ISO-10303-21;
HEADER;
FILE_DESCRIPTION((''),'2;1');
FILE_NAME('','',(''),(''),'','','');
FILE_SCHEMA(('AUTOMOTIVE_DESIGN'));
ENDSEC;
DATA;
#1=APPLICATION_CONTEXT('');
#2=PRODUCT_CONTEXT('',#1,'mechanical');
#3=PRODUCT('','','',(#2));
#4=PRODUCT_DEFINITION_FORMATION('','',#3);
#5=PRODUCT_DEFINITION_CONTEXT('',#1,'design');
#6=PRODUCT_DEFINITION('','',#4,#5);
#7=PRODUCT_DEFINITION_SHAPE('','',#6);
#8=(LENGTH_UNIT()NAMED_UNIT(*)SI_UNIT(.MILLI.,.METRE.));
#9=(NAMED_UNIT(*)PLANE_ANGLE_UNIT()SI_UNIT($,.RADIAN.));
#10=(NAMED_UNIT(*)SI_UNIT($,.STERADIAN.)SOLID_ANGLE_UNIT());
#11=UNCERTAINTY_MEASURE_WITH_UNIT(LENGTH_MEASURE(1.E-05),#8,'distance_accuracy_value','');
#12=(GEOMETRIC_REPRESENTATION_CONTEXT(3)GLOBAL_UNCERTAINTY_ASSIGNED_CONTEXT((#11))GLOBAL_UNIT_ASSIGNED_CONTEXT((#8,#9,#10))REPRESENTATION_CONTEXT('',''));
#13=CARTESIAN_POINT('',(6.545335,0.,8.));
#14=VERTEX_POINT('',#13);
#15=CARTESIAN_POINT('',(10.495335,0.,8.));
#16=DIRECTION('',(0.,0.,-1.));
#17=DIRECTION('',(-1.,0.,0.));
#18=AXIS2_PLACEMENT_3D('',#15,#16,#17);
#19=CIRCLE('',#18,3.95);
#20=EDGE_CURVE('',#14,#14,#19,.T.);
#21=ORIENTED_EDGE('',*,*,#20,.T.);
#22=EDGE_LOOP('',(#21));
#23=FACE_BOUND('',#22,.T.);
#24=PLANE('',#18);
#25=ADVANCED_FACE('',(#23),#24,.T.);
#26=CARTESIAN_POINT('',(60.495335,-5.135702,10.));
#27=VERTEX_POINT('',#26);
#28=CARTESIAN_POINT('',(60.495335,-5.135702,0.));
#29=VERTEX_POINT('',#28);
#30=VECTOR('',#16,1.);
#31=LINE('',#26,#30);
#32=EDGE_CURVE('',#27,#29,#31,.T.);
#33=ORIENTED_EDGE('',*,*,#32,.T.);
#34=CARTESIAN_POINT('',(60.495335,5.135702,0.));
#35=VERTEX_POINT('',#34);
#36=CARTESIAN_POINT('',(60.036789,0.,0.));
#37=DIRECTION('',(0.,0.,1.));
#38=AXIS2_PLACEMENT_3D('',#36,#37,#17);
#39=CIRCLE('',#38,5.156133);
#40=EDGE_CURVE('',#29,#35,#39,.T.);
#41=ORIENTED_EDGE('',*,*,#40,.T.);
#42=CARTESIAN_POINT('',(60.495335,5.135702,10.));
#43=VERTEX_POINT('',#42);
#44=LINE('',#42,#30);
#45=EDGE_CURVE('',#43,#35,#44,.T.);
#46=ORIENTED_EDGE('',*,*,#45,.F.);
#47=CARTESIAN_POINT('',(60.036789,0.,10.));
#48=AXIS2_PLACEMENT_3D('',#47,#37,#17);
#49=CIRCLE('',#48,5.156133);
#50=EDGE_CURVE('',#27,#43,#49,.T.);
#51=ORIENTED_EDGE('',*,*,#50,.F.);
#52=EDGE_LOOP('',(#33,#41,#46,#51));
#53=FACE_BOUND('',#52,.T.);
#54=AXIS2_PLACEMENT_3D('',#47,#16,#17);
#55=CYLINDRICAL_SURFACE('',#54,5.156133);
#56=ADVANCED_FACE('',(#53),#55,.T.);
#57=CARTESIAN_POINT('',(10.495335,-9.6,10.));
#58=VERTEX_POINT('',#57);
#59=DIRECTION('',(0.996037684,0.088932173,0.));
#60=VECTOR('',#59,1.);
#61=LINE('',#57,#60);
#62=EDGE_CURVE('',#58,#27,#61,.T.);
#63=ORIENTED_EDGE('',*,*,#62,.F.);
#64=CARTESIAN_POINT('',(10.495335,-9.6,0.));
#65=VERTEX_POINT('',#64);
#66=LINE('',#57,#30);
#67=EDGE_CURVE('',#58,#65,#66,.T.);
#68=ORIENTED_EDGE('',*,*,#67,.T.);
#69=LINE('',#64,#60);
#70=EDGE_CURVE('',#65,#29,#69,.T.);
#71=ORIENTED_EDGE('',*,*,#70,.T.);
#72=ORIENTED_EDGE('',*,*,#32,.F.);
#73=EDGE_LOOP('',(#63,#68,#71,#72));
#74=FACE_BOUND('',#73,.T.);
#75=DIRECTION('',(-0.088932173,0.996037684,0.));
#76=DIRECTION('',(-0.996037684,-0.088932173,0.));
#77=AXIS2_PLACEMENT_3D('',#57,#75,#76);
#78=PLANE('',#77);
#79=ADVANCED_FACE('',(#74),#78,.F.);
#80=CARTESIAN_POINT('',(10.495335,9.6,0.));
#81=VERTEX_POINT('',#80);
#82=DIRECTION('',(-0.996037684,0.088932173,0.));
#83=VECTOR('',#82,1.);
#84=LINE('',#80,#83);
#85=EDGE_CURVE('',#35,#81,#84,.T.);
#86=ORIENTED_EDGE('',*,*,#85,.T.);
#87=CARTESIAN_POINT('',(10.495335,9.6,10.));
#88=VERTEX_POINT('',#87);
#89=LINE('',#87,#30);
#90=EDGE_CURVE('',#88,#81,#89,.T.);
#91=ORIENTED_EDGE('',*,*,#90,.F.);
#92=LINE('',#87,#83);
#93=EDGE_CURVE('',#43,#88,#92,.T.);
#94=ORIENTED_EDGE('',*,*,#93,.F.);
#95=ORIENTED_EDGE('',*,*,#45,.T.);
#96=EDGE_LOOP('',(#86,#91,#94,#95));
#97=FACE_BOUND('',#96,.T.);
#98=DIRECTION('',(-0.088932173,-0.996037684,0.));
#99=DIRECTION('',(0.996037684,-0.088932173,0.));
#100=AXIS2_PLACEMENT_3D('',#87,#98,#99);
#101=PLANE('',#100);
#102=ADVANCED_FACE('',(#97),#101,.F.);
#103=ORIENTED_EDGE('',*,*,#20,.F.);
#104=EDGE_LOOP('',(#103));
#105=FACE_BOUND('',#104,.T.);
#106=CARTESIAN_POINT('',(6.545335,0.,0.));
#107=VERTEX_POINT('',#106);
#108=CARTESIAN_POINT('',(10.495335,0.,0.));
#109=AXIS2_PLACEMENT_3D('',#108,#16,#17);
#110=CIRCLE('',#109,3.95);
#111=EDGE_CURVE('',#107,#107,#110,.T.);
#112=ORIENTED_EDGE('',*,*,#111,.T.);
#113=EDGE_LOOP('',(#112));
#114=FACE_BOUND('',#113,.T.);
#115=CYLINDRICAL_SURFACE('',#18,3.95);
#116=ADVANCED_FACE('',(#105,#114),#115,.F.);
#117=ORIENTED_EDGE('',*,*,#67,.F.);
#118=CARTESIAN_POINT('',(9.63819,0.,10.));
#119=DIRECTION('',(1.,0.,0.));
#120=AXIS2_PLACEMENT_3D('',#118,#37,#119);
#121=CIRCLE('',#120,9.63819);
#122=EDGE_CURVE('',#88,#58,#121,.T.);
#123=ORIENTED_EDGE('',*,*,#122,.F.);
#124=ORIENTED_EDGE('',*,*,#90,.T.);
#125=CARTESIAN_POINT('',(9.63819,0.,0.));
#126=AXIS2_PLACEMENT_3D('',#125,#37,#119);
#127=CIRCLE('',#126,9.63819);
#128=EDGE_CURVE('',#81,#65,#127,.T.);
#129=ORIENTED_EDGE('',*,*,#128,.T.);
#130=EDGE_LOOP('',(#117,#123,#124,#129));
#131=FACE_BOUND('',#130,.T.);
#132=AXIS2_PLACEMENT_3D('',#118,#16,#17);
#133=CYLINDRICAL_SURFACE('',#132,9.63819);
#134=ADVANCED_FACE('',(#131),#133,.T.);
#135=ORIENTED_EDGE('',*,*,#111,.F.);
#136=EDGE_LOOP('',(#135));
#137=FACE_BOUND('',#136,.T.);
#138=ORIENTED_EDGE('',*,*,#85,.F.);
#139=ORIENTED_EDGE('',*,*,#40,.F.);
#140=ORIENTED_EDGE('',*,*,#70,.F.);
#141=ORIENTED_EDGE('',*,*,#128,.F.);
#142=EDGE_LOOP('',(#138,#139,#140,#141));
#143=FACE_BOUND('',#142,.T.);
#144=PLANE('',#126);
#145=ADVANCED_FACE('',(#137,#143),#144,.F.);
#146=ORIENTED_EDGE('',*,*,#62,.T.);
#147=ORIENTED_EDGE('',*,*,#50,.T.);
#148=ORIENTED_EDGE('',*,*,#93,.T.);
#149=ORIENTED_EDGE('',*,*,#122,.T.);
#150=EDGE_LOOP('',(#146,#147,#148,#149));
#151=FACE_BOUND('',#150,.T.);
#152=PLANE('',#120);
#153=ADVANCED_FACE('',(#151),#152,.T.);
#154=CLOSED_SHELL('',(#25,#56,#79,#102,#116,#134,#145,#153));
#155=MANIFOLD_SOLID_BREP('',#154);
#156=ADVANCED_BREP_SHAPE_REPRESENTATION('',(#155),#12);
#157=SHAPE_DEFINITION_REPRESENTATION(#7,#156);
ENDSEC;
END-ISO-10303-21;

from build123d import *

# Parameters (mm, degrees)
BOSS_EXTRU_1_DEPTH = 10
SKETCH1_R          = 3.95
CUT_EXTRUDE1_DEPTH = 8


with BuildPart() as part:
    # Esquisse1 → Boss.-Extru.1 (new body)
    with BuildSketch(Plane.XY):
        with BuildLine():
            Line((10.495334687, 9.6), (60.495334687, 5.135702408))
            ThreePointArc((60.495334687, 5.135702408), (65.192921242, 0), (60.495334687, -5.135702408))
            Line((60.495334687, -5.135702408), (10.495334687, -9.6))
            ThreePointArc((10.495334687, -9.6), (0, 0), (10.495334687, 9.6))
        make_face()
    extrude(amount=BOSS_EXTRU_1_DEPTH)

    # Sketch1 → Cut-Extrude1 (cut)
    with BuildSketch(Plane(origin=(0, 0, 0), x_dir=(-1, 0, 0), z_dir=(0, 0, -1))):
        with Locations((-10.495334687, 0)):
            Circle(SKETCH1_R)
    extrude(amount=-CUT_EXTRUDE1_DEPTH, mode=Mode.SUBTRACT)


solid = part.part
